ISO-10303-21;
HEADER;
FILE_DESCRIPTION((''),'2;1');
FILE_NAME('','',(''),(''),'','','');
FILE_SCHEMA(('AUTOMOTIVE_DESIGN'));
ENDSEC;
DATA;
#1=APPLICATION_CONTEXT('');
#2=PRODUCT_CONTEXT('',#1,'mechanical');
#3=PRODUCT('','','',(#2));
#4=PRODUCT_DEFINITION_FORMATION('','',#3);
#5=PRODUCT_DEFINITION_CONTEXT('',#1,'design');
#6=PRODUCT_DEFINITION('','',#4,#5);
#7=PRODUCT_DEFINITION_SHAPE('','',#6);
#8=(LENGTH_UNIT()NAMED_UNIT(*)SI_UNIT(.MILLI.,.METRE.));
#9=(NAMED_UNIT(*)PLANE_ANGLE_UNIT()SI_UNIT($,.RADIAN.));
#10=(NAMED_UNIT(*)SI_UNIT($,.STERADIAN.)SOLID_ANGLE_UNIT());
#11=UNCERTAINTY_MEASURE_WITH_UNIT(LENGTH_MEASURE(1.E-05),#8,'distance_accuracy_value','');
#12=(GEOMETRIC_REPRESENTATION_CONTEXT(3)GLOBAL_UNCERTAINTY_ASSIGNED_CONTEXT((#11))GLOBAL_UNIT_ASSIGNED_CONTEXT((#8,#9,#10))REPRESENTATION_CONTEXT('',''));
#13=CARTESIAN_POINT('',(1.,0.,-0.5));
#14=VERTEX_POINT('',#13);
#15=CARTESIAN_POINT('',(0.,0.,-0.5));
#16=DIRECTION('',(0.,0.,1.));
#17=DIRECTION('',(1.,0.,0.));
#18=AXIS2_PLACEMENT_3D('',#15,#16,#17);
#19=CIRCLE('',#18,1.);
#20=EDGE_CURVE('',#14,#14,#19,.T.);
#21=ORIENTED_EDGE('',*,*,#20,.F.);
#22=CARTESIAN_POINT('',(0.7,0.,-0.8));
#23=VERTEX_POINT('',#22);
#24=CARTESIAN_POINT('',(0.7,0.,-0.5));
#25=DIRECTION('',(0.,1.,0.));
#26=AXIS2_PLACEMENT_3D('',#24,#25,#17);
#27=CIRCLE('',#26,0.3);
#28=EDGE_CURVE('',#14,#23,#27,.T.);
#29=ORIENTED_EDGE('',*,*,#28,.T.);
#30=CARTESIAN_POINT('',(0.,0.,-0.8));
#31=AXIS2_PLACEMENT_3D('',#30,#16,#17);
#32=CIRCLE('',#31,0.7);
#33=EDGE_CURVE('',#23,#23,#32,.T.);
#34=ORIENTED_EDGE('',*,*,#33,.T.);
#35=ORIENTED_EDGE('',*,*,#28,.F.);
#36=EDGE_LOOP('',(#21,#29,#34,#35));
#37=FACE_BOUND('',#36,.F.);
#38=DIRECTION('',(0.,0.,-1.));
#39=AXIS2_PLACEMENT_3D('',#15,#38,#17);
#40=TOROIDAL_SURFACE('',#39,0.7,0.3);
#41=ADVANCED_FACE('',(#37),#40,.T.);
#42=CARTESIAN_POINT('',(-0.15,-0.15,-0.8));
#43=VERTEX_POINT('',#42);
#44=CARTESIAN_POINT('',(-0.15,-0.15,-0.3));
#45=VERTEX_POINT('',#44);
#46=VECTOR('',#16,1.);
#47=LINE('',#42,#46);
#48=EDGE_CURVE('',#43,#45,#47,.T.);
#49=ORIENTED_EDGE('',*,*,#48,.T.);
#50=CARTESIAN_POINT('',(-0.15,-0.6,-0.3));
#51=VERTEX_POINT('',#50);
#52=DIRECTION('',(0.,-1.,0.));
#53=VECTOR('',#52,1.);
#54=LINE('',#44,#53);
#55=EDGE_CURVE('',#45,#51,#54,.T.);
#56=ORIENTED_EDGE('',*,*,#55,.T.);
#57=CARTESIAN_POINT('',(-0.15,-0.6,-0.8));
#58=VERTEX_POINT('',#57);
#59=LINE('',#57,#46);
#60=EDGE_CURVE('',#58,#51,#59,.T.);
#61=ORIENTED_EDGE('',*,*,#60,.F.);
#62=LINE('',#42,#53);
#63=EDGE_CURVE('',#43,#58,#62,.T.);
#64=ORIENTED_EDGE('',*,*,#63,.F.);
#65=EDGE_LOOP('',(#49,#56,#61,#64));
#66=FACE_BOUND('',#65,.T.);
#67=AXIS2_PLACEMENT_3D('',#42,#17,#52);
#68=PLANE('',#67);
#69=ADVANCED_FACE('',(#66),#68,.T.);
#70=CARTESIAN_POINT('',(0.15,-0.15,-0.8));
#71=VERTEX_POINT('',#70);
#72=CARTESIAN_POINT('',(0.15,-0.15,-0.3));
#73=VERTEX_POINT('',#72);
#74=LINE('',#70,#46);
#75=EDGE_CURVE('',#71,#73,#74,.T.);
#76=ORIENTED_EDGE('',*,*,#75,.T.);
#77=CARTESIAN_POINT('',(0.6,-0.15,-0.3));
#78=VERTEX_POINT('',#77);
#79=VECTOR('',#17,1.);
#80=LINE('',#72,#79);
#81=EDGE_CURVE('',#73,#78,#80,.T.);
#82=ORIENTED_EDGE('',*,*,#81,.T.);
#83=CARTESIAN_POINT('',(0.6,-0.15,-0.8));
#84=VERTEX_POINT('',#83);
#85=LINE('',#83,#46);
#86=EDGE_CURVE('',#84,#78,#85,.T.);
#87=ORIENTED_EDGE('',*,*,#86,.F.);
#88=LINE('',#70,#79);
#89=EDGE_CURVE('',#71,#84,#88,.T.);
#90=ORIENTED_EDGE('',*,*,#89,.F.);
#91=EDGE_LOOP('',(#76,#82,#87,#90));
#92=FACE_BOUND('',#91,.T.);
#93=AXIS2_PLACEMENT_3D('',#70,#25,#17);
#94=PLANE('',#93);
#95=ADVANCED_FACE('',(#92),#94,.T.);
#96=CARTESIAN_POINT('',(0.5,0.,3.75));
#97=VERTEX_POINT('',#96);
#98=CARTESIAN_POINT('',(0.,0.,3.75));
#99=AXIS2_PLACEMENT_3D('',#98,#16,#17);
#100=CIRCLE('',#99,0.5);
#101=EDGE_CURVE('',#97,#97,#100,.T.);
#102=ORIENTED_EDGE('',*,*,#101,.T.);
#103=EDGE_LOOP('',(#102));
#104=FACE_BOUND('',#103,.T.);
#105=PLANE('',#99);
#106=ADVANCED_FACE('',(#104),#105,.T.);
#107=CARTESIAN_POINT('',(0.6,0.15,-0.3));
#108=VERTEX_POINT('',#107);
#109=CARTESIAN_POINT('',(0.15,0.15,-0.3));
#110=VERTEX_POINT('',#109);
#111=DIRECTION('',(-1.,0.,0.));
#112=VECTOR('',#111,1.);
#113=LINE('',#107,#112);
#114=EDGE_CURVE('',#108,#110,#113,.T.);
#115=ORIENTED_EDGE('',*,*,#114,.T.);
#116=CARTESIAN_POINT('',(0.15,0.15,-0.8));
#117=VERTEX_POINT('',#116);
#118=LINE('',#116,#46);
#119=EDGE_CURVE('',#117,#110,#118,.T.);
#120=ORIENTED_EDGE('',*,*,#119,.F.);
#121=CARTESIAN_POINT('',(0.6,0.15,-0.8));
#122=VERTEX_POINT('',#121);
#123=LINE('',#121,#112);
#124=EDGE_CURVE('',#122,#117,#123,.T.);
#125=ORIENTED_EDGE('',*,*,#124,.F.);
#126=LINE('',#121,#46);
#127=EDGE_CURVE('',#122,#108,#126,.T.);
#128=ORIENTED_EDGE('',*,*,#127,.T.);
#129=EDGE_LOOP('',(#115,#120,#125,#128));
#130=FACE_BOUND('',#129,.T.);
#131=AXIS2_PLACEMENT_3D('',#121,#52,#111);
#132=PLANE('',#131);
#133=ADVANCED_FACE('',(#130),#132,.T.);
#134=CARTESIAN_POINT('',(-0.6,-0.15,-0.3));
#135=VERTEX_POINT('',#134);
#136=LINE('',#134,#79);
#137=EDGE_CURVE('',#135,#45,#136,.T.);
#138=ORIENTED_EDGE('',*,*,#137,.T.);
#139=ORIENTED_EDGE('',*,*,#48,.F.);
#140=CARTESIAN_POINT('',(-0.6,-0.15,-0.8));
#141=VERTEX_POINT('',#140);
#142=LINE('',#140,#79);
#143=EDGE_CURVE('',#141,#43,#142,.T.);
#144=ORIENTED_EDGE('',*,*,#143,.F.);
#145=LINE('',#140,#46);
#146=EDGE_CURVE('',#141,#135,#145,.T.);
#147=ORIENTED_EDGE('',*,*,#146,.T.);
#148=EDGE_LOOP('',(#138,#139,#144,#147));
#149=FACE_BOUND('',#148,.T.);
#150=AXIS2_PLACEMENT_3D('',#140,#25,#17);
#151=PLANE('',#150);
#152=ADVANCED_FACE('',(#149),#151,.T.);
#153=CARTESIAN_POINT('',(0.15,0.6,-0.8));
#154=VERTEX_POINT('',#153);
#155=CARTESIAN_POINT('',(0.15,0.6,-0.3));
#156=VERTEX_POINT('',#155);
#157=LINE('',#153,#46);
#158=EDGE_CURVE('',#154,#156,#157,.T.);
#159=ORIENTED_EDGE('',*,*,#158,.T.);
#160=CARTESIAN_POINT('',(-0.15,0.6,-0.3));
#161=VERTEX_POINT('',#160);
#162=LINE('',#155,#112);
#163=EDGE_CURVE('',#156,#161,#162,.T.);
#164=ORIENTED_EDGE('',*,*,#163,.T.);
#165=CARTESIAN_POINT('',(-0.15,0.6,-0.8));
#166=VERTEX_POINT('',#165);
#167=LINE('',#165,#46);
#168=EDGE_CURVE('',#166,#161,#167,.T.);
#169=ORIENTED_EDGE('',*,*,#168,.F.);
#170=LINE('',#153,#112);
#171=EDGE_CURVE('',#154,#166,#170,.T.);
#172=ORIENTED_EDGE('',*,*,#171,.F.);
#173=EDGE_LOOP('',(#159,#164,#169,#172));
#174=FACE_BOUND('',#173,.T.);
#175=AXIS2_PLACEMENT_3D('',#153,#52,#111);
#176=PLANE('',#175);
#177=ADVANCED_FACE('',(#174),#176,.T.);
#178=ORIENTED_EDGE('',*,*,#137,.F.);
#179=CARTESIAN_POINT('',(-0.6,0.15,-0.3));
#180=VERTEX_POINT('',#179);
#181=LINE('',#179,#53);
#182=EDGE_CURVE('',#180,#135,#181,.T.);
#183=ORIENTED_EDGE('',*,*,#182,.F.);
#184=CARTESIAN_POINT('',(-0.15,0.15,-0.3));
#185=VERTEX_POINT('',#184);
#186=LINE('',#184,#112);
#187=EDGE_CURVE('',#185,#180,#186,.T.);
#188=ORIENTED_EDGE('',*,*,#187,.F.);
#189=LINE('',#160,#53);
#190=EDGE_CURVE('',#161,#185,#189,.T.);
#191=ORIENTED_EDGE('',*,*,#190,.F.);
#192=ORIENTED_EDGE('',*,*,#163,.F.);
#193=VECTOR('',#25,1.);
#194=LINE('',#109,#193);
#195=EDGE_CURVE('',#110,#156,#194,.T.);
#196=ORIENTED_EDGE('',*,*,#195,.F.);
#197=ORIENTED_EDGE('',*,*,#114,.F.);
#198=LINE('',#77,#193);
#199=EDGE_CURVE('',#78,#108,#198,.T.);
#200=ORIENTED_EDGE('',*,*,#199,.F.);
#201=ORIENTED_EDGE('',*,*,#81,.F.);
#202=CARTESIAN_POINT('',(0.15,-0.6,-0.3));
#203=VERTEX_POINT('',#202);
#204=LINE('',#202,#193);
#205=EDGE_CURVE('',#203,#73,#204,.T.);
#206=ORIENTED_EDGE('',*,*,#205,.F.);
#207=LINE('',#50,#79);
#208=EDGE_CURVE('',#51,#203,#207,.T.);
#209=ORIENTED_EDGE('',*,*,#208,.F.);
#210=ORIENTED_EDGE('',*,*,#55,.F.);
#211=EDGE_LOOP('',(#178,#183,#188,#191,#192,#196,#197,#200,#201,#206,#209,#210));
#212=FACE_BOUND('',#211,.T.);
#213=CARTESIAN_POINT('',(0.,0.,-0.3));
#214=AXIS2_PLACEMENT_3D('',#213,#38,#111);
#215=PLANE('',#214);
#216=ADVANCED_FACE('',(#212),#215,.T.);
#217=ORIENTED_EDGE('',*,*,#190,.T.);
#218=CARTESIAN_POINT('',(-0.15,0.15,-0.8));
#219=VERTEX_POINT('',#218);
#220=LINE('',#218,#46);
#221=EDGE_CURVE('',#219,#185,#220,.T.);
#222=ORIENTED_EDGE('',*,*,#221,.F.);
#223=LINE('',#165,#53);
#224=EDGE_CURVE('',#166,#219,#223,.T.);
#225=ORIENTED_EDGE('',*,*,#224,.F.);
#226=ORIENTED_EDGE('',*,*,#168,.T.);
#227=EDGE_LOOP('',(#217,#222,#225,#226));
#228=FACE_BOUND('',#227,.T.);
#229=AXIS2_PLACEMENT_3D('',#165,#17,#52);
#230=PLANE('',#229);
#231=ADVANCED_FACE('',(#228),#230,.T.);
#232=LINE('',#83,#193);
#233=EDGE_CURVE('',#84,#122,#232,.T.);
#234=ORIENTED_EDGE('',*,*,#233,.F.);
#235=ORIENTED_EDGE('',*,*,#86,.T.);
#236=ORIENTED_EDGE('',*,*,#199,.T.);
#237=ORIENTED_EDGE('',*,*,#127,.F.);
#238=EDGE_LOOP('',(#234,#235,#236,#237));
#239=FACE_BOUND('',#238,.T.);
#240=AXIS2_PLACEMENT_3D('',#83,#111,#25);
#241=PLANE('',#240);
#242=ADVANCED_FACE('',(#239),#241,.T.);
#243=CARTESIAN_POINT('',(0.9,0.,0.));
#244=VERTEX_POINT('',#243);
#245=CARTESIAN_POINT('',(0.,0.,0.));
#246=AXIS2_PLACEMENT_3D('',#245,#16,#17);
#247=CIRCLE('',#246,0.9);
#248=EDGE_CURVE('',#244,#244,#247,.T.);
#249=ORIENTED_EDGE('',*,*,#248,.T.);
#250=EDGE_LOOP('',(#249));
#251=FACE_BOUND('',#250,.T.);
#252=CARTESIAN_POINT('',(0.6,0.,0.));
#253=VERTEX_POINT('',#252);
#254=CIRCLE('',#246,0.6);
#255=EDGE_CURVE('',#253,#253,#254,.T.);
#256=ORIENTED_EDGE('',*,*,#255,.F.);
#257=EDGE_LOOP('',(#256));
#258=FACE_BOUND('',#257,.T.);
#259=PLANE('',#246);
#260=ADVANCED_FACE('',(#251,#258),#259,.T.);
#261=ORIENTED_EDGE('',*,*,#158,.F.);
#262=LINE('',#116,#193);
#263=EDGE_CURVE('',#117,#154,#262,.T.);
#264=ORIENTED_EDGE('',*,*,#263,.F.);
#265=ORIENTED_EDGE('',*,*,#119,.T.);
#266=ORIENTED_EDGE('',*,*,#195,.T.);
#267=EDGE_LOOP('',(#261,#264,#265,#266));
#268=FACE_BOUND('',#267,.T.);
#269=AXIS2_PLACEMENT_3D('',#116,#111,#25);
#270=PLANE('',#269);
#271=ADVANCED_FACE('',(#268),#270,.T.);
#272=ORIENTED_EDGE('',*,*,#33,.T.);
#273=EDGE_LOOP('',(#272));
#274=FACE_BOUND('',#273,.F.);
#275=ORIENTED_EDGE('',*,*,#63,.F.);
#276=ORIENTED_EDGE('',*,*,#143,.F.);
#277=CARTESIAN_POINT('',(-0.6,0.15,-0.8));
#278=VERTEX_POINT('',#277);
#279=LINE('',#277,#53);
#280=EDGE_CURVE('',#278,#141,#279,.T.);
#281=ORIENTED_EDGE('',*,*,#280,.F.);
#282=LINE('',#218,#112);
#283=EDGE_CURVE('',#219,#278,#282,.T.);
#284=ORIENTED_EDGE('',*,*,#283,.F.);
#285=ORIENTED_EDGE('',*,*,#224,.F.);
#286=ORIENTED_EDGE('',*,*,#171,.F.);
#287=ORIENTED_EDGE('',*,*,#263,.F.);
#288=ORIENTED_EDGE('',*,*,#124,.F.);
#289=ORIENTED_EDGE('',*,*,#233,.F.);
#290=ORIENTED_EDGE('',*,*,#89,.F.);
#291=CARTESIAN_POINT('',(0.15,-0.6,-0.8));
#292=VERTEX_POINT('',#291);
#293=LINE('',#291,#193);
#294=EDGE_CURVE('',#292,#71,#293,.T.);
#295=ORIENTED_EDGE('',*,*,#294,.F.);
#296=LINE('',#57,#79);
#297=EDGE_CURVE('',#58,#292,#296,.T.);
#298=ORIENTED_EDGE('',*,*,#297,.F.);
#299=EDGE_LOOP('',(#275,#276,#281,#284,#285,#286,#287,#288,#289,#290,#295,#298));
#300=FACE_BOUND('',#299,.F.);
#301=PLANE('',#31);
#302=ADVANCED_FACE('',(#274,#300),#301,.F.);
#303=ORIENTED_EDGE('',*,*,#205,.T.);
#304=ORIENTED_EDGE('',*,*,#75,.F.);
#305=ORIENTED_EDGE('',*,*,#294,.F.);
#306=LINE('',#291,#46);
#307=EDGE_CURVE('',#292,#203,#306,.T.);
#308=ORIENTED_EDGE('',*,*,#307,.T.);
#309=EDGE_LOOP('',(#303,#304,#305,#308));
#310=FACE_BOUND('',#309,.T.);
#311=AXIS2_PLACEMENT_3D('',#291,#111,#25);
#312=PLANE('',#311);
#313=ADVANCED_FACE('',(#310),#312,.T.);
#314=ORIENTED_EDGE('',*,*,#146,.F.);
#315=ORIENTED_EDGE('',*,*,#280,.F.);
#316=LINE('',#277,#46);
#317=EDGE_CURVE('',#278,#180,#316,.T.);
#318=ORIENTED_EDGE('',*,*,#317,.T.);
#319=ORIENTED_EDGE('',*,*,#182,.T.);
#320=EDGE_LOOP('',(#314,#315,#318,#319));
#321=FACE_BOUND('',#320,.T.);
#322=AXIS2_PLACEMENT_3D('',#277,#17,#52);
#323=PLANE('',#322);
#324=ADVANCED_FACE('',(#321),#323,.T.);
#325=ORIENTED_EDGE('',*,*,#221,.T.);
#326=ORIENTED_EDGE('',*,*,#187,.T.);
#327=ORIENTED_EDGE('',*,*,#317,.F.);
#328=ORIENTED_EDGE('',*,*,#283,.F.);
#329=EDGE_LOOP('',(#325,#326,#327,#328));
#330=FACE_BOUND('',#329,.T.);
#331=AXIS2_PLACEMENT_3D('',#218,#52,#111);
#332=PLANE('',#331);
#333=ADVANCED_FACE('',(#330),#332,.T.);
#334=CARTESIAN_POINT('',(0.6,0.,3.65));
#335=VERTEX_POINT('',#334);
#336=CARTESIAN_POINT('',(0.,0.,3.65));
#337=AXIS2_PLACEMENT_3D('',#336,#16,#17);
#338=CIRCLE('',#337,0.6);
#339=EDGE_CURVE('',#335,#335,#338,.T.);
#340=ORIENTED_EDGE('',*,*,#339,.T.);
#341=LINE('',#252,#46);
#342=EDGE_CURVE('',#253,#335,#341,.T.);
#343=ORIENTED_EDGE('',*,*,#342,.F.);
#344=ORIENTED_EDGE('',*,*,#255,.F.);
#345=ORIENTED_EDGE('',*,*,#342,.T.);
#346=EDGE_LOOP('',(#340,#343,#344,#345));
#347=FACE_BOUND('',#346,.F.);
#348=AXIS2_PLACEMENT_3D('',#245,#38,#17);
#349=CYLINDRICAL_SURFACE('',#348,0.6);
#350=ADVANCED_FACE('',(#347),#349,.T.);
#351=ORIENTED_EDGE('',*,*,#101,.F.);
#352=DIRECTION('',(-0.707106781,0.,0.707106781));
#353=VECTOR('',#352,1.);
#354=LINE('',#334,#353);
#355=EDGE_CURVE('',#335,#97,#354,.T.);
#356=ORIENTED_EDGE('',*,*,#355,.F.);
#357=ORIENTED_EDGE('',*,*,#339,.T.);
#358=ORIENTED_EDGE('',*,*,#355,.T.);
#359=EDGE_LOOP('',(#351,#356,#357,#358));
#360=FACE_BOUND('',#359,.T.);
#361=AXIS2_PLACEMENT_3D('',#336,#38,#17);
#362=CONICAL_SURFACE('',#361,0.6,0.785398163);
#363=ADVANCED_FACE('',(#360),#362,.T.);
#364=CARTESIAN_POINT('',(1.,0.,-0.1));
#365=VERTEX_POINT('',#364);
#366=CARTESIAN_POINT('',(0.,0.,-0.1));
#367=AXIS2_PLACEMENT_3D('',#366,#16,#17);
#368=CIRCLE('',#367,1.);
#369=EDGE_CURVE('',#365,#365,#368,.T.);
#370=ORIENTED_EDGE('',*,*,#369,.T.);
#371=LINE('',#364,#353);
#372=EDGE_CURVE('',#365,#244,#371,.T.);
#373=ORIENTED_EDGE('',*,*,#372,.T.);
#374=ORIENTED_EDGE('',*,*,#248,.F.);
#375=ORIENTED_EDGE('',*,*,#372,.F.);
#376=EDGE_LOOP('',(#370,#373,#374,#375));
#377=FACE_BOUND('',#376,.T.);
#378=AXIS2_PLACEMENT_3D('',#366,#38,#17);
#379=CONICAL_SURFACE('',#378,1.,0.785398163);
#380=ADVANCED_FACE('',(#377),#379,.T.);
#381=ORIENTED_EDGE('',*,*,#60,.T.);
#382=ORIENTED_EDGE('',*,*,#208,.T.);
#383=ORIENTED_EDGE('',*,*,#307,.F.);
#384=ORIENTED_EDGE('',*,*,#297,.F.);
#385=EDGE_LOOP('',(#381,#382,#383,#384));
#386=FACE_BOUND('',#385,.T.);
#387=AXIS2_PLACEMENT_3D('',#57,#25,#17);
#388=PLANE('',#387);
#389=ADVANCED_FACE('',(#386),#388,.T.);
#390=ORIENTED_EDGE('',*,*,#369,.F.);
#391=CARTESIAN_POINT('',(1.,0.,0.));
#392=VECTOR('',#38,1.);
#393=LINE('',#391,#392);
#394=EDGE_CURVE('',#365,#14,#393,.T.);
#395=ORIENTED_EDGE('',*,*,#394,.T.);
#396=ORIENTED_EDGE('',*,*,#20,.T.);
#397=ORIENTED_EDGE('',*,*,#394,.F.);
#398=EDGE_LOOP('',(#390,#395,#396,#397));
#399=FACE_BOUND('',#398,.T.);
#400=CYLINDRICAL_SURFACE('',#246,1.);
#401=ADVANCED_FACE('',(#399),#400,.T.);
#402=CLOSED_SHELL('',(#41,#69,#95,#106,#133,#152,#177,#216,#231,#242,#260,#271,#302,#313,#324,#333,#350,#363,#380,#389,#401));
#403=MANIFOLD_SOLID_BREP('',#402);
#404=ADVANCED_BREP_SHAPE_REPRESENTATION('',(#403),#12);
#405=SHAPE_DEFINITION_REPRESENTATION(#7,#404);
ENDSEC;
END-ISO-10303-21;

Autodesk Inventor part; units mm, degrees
ref_plane "YZ Plane" through (0, 0, 0) normal (1, 0, 0) x (0, 1, 0)
ref_plane "XZ Plane" through (0, 0, 0) normal (0, 1, 0) x (-1, 0, 0)
ref_plane "XY Plane" through (0, 0, 0) normal (0, 0, 1) x (1, 0, 0)
sketch "Sketch1" plane through (0, 0, 0) normal (0, 0, 1) x (1, 0, 0)
  circle A0 centre (0, 0) radius 1
  dimension "d0" = 2
extrude "Extrusion1" add sketch "Sketch1" against normal blind 0.8
sketch "Sketch2" plane through (0, 0, 0) normal (0, 0, 1) x (1, 0, 0)
  circle A0 centre (0, 0) radius 1 projected
  circle A1 centre (0, 0) radius 0.6
  dimension "d3" = 1.2
extrude "Extrusion2" add sketch "Sketch2" along normal blind 3.75 contours A1
fillet "Fillet1" radius 0.3 1 edges at (-1, 0, -0.8)
chamfer "Chamfer1" distance 0.1 angle 45 2 edges at (-1, 0, 0) (-0.6, 0, 3.75)
sketch "Sketch3" plane through (0, 0, -0.8) normal (0, 0, -1) x (-1, 0, 0)
  line L0 (-0.15, 0.15) -> (-0.15, 0.6)
  line L1 (-0.15, 0.6) -> (0.15, 0.6)
  line L2 (0.15, 0.6) -> (0.15, 0.15)
  line L3 (0.15, 0.15) -> (0.6, 0.15)
  line L4 (0.6, 0.15) -> (0.6, -0.15)
  line L5 (0.6, -0.15) -> (0.15, -0.15)
  line L6 (0.15, -0.15) -> (0.15, -0.6)
  line L7 (0.15, -0.6) -> (-0.15, -0.6)
  line L8 (-0.15, -0.6) -> (-0.15, -0.15)
  line L9 (-0.15, -0.15) -> (-0.6, -0.15)
  line L10 (-0.6, -0.15) -> (-0.6, 0.15)
  line L11 (-0.6, 0.15) -> (-0.15, 0.15)
  line L12 (1.4, 0) -> (-1.4, 0) construction
  line L13 (0, -1.4) -> (0, 1.4) construction
  point P0 (0, 0)
  dimension "d10" = 1.2
  dimension "d11" = 0.3
extrude "Extrusion3" cut sketch "Sketch3" against normal blind 0.5
properties part number "pan_head_screw_M1.2x4" material "Nickel-Copper Alloy 400"
